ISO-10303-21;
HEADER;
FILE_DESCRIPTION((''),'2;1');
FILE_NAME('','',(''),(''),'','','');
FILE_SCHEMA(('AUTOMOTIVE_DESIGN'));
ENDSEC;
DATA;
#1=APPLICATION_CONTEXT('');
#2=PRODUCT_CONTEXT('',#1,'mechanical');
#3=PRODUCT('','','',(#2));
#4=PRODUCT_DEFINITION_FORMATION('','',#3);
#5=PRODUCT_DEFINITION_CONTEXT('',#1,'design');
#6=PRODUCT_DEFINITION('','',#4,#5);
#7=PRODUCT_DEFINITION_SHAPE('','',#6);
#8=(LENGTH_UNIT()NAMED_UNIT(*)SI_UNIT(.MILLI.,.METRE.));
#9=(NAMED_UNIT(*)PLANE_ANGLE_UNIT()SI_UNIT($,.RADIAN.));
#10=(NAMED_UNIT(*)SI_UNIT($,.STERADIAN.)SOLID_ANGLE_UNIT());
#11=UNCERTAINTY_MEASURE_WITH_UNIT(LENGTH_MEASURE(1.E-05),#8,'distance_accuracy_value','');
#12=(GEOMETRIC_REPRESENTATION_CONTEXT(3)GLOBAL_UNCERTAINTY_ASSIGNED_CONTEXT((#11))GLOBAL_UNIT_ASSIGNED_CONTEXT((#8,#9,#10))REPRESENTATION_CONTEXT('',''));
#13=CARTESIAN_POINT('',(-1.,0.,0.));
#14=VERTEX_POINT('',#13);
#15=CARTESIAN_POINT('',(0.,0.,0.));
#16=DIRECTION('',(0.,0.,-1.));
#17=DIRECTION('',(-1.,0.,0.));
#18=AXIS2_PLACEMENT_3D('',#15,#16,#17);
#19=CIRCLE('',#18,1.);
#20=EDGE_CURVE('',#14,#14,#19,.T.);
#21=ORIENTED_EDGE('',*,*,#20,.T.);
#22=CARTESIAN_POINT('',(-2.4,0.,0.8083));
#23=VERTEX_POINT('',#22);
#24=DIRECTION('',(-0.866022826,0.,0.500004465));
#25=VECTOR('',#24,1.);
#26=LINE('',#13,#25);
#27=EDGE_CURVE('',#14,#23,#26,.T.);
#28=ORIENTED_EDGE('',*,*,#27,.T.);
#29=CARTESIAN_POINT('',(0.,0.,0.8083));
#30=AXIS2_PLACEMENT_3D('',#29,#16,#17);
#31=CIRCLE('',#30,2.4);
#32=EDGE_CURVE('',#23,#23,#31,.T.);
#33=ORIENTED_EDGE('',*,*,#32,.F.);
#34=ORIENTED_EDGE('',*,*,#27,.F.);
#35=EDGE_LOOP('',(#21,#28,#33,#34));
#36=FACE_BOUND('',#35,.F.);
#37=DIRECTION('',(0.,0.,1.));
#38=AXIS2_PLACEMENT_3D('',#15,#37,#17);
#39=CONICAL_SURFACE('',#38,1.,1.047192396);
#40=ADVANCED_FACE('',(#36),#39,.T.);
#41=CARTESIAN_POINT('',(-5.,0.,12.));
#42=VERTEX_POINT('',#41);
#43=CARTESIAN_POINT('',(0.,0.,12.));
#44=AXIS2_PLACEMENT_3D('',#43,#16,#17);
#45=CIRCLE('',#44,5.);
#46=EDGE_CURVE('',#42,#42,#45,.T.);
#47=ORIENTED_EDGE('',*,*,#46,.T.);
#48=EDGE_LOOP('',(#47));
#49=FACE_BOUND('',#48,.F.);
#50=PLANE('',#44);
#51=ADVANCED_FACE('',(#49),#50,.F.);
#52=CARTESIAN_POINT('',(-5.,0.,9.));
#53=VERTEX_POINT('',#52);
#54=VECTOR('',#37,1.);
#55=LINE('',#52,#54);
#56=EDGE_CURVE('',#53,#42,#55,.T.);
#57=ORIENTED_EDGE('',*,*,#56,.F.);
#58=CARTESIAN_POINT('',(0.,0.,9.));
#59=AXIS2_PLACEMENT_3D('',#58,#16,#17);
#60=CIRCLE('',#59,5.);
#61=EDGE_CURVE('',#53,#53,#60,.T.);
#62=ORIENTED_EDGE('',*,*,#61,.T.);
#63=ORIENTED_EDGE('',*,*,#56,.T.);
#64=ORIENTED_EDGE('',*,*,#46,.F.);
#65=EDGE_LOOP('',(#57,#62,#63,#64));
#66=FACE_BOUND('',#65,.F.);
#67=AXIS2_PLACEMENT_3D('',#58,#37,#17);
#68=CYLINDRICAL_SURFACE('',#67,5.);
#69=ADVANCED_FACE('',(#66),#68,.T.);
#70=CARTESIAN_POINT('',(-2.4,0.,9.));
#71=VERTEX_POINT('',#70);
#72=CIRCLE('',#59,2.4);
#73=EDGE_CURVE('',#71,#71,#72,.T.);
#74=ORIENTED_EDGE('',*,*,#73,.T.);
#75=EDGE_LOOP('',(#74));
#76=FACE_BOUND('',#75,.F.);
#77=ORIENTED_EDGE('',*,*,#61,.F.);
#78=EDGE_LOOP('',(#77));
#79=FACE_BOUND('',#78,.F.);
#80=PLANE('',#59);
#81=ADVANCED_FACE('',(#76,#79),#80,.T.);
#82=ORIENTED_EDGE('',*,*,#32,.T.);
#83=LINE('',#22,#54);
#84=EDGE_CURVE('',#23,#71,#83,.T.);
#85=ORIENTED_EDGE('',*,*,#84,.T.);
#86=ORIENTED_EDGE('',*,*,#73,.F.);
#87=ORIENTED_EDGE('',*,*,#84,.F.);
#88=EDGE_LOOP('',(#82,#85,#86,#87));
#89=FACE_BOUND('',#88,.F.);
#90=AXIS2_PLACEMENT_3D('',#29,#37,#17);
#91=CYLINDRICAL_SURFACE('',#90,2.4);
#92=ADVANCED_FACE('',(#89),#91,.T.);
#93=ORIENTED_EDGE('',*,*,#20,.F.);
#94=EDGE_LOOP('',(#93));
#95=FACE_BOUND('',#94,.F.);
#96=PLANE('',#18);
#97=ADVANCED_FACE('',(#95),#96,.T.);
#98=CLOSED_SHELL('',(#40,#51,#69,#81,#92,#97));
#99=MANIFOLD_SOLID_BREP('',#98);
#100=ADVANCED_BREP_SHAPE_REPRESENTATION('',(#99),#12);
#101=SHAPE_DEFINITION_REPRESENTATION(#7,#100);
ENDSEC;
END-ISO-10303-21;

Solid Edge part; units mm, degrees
sketch "Sketch1" plane through (0, 0, 0) normal (0, -1, 0) x (1, 0, 0)
  line L0 (0, 0) -> (-1, 0)
  line L1 (-1, 0) -> (-2.4, 0.8083)
  line L2 (-2.4, 0.8083) -> (-2.4, 9)
  line L3 (-2.4, 9) -> (-5, 9)
  line L4 (-5, 9) -> (-5, 12)
  line L5 (-5, 12) -> (0, 12)
  dimension "D1" = 1
  dimension "D2" = 9
  dimension "D3" = 3
revolve "RevolvedProtrusion1" add sketch "Sketch1" angle 360 about axis through (0, 0, 11.05) along (0, 0, -1)
